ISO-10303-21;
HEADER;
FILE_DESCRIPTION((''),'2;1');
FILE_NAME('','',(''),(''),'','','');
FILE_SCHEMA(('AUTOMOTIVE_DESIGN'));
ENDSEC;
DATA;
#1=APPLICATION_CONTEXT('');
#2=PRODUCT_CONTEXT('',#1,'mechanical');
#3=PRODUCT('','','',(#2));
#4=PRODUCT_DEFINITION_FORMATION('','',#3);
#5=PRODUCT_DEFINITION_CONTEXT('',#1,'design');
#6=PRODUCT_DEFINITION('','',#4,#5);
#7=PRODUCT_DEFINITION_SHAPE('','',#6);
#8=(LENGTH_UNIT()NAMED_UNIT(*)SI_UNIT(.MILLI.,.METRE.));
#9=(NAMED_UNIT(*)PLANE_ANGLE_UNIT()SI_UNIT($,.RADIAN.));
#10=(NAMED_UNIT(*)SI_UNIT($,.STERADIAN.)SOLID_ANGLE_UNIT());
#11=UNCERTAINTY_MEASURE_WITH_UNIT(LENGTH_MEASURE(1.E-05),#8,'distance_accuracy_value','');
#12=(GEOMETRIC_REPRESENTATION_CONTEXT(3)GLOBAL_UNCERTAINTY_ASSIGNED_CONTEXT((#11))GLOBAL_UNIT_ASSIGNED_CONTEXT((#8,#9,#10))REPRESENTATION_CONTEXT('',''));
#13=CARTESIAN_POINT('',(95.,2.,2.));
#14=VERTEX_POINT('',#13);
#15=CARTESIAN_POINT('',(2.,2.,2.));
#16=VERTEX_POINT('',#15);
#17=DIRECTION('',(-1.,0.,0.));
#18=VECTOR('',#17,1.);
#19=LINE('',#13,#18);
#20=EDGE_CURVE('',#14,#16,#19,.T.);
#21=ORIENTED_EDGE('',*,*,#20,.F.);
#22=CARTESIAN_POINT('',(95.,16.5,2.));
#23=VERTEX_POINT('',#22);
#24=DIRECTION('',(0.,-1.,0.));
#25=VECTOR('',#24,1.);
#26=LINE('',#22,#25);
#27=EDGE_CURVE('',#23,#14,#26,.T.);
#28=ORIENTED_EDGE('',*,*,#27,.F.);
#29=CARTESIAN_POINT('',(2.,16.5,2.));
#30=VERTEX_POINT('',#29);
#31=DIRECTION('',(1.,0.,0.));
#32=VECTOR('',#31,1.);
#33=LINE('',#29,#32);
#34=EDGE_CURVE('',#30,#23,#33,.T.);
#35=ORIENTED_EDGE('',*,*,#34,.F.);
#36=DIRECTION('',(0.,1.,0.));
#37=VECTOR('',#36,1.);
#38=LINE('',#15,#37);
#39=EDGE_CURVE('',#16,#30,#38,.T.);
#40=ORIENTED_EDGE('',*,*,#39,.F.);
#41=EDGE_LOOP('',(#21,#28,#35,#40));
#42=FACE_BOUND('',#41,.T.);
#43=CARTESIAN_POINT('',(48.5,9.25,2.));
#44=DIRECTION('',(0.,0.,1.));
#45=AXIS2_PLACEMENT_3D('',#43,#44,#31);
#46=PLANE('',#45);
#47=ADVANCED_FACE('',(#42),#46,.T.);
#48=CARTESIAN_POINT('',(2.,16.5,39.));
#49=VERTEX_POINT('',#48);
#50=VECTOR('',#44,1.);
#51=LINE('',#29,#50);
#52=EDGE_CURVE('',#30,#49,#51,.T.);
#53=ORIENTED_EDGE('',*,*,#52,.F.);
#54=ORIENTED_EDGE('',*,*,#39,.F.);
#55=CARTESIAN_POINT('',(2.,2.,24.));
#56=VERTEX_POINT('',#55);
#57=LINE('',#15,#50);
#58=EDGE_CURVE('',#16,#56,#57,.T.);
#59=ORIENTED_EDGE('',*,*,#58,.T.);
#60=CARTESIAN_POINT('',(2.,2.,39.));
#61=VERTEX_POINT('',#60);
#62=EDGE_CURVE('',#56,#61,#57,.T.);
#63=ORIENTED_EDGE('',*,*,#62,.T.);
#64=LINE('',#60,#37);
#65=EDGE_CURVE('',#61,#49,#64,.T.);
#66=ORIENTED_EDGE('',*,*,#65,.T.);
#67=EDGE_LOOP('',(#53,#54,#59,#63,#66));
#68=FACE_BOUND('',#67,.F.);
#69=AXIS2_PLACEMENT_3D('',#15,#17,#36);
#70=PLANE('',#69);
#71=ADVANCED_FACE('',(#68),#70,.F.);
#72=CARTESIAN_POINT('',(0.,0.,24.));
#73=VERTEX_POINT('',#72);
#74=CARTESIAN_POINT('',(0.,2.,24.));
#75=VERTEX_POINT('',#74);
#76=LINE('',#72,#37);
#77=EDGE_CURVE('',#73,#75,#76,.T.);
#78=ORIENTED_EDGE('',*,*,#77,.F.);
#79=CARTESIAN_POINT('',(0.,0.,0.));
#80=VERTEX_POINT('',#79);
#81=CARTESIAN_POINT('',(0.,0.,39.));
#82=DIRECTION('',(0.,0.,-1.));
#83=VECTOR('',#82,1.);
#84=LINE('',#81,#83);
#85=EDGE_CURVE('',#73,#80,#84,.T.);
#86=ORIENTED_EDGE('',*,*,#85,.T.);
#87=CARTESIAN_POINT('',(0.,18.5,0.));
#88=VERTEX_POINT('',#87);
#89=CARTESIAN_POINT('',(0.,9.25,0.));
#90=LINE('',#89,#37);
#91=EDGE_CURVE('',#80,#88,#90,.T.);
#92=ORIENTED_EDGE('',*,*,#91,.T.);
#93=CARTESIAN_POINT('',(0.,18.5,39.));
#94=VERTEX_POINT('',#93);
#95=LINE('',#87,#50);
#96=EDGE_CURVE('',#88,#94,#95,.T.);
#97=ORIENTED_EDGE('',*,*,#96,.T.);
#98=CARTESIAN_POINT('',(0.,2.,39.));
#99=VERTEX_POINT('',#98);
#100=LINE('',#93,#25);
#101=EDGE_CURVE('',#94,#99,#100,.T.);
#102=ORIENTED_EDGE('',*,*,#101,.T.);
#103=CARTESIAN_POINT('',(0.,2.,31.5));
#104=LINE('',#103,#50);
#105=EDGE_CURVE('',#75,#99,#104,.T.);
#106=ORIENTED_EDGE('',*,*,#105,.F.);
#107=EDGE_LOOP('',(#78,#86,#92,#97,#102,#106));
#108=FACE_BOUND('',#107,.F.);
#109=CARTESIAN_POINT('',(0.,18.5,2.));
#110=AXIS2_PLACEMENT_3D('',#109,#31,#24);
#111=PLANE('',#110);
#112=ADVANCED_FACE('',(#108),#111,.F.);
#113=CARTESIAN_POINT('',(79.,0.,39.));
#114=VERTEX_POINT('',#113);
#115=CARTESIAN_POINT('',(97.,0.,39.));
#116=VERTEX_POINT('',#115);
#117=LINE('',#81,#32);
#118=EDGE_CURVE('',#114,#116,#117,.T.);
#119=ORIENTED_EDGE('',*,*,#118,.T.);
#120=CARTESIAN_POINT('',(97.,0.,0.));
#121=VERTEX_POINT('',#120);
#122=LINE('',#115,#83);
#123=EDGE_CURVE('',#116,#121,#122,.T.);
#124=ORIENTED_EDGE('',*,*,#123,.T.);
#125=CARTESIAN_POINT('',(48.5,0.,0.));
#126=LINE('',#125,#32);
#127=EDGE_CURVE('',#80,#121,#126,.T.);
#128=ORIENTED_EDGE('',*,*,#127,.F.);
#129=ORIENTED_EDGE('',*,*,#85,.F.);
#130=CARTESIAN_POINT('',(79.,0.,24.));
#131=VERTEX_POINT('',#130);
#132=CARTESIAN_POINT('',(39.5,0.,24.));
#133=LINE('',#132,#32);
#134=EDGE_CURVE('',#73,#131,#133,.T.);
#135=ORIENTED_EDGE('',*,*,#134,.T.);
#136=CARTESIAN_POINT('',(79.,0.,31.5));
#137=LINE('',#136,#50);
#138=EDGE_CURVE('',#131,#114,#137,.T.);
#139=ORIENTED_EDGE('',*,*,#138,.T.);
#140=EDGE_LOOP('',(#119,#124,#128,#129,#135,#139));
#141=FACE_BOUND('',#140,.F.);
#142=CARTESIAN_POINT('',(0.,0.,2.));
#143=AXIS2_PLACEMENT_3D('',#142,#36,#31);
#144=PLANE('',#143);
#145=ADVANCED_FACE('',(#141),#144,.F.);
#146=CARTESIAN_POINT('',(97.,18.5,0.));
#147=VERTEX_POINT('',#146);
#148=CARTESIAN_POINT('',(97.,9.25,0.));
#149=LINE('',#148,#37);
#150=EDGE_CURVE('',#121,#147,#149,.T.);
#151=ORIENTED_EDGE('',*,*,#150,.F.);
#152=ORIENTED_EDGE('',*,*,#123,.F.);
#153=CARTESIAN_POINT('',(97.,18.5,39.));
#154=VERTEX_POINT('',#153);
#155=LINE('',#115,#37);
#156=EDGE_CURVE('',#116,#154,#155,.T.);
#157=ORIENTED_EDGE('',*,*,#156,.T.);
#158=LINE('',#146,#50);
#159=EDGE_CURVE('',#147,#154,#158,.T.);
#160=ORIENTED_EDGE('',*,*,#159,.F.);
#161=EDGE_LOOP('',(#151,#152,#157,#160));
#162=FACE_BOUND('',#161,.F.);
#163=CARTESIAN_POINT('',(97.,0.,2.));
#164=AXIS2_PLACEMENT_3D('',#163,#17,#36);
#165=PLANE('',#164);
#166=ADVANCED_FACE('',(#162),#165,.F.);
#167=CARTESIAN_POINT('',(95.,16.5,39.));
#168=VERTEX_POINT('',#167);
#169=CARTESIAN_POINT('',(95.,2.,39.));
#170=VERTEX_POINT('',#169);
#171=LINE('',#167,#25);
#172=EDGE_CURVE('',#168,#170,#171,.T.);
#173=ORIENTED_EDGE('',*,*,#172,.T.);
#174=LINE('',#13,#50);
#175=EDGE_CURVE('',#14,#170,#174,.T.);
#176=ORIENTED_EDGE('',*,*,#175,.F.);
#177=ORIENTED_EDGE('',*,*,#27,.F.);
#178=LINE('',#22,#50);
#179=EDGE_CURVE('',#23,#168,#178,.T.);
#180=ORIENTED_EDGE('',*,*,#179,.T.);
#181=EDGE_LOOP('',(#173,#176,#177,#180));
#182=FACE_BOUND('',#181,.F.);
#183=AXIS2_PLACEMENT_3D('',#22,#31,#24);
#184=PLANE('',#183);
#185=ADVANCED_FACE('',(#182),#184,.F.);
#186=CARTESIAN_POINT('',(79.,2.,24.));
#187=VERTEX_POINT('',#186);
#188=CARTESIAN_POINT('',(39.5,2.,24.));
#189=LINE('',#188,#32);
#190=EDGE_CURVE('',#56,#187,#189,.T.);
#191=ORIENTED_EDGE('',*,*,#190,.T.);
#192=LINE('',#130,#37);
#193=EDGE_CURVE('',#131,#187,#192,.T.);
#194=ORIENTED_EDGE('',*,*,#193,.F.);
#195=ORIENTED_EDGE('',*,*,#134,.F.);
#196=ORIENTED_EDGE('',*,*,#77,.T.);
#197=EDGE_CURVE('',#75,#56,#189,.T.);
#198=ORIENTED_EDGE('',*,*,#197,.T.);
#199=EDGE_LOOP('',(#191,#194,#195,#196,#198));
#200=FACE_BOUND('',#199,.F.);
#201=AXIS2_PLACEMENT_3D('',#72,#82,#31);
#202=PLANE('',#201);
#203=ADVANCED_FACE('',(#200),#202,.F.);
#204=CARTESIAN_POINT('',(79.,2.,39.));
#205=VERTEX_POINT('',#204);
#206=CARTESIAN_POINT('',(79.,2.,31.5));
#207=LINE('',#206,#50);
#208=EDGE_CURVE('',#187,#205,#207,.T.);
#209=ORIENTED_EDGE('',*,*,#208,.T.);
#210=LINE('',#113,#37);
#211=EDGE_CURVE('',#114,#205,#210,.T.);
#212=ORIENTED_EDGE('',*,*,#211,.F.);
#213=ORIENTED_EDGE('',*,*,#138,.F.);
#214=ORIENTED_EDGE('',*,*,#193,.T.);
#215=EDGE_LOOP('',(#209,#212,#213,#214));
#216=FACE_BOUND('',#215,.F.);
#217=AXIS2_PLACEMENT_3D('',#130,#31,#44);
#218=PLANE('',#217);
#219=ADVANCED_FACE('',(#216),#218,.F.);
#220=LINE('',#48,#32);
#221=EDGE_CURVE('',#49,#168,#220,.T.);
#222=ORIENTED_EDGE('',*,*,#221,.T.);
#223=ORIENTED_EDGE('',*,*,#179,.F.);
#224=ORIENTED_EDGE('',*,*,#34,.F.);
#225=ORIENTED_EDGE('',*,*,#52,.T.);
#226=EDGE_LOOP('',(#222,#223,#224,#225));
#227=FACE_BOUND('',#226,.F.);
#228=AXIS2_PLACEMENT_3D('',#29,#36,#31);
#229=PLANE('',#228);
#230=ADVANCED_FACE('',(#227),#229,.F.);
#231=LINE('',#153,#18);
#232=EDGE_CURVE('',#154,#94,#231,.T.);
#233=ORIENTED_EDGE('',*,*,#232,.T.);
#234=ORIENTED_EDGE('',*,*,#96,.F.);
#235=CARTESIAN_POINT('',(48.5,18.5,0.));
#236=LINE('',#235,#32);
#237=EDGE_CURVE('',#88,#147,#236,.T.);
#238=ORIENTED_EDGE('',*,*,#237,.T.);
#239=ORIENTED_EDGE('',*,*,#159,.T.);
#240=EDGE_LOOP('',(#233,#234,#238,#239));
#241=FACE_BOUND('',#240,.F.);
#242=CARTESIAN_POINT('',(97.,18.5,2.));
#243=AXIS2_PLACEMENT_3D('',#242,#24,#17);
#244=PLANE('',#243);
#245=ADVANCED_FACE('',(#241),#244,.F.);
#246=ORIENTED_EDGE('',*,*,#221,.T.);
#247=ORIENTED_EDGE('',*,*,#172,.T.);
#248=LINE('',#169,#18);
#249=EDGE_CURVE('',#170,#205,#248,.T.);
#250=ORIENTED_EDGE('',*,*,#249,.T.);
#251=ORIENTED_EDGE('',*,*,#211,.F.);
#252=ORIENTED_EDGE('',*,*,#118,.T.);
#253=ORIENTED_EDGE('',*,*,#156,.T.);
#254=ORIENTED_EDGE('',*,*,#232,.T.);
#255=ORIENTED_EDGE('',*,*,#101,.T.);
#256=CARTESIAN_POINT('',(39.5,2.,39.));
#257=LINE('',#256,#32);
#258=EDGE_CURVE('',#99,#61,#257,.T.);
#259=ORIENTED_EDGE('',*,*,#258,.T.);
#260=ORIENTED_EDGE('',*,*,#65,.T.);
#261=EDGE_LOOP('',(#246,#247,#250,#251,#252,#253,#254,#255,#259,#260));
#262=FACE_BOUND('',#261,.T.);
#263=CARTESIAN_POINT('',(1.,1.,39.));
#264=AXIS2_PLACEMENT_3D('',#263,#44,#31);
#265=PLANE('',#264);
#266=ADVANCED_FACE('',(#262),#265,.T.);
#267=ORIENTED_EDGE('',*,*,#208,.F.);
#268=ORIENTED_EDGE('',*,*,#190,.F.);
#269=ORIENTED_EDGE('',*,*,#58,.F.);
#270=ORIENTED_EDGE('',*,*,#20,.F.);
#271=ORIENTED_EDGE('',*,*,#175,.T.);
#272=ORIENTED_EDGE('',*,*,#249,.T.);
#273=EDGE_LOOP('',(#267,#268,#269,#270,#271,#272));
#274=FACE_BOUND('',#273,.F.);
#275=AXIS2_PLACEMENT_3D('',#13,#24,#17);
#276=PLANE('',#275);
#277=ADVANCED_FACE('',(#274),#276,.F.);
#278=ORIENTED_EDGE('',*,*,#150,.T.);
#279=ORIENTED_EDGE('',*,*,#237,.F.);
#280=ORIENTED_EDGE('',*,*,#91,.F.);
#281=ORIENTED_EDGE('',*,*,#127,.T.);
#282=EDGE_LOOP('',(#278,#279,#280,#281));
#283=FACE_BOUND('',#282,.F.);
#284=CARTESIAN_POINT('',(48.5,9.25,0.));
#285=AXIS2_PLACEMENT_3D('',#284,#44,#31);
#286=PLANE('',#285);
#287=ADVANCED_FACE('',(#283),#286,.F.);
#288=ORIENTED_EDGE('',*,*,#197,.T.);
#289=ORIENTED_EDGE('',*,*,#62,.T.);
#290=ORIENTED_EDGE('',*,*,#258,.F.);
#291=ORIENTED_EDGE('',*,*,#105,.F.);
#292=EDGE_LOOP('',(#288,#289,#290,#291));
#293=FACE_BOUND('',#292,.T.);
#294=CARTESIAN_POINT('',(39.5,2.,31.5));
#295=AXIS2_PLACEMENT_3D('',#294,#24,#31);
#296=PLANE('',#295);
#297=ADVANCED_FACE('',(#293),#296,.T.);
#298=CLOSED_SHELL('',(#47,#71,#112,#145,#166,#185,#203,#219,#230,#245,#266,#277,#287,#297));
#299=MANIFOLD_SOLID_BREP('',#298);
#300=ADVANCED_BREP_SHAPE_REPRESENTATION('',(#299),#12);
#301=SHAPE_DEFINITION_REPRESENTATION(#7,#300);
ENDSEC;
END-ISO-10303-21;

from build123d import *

# Parameters (mm, degrees)
F0_W     = 97
F0_H     = 18.5
F1_DEPTH = 2
F2_W     = 2
F2_H     = 2
F3_DEPTH = 37
F4_W     = 79
F4_H     = 15
F5_DEPTH = 2


with BuildPart() as f1:
    # F0 (on Top) → F1 (new body)
    with BuildSketch(Plane.XY):
        with Locations((48.5, 9.25)):
            Rectangle(F0_W, F0_H)
    extrude(amount=F1_DEPTH)

    # F2 (on face) → F3 (join)
    with BuildSketch(Plane.XY.offset(2)):
        with Locations((1, 1)):
            Rectangle(F2_W, F2_H)
        Polygon((2, 2), (2, 0), (97, 0), (97, 16.5), (95, 16.5), (95, 2), align=None)
        Polygon((0, 18.5), (0, 2), (2, 2), (2, 16.5), (95, 16.5), (95, 18.5), align=None)
        with Locations((96, 17.5)):
            Rectangle(F2_W, F2_H)
    extrude(amount=F3_DEPTH)

    # F4 (on face) → F5 (cut)
    with BuildSketch(Plane.XZ):
        with Locations((39.5, 31.5)):
            Rectangle(F4_W, F4_H)
    extrude(amount=-F5_DEPTH, mode=Mode.SUBTRACT)


solid = f1.part
